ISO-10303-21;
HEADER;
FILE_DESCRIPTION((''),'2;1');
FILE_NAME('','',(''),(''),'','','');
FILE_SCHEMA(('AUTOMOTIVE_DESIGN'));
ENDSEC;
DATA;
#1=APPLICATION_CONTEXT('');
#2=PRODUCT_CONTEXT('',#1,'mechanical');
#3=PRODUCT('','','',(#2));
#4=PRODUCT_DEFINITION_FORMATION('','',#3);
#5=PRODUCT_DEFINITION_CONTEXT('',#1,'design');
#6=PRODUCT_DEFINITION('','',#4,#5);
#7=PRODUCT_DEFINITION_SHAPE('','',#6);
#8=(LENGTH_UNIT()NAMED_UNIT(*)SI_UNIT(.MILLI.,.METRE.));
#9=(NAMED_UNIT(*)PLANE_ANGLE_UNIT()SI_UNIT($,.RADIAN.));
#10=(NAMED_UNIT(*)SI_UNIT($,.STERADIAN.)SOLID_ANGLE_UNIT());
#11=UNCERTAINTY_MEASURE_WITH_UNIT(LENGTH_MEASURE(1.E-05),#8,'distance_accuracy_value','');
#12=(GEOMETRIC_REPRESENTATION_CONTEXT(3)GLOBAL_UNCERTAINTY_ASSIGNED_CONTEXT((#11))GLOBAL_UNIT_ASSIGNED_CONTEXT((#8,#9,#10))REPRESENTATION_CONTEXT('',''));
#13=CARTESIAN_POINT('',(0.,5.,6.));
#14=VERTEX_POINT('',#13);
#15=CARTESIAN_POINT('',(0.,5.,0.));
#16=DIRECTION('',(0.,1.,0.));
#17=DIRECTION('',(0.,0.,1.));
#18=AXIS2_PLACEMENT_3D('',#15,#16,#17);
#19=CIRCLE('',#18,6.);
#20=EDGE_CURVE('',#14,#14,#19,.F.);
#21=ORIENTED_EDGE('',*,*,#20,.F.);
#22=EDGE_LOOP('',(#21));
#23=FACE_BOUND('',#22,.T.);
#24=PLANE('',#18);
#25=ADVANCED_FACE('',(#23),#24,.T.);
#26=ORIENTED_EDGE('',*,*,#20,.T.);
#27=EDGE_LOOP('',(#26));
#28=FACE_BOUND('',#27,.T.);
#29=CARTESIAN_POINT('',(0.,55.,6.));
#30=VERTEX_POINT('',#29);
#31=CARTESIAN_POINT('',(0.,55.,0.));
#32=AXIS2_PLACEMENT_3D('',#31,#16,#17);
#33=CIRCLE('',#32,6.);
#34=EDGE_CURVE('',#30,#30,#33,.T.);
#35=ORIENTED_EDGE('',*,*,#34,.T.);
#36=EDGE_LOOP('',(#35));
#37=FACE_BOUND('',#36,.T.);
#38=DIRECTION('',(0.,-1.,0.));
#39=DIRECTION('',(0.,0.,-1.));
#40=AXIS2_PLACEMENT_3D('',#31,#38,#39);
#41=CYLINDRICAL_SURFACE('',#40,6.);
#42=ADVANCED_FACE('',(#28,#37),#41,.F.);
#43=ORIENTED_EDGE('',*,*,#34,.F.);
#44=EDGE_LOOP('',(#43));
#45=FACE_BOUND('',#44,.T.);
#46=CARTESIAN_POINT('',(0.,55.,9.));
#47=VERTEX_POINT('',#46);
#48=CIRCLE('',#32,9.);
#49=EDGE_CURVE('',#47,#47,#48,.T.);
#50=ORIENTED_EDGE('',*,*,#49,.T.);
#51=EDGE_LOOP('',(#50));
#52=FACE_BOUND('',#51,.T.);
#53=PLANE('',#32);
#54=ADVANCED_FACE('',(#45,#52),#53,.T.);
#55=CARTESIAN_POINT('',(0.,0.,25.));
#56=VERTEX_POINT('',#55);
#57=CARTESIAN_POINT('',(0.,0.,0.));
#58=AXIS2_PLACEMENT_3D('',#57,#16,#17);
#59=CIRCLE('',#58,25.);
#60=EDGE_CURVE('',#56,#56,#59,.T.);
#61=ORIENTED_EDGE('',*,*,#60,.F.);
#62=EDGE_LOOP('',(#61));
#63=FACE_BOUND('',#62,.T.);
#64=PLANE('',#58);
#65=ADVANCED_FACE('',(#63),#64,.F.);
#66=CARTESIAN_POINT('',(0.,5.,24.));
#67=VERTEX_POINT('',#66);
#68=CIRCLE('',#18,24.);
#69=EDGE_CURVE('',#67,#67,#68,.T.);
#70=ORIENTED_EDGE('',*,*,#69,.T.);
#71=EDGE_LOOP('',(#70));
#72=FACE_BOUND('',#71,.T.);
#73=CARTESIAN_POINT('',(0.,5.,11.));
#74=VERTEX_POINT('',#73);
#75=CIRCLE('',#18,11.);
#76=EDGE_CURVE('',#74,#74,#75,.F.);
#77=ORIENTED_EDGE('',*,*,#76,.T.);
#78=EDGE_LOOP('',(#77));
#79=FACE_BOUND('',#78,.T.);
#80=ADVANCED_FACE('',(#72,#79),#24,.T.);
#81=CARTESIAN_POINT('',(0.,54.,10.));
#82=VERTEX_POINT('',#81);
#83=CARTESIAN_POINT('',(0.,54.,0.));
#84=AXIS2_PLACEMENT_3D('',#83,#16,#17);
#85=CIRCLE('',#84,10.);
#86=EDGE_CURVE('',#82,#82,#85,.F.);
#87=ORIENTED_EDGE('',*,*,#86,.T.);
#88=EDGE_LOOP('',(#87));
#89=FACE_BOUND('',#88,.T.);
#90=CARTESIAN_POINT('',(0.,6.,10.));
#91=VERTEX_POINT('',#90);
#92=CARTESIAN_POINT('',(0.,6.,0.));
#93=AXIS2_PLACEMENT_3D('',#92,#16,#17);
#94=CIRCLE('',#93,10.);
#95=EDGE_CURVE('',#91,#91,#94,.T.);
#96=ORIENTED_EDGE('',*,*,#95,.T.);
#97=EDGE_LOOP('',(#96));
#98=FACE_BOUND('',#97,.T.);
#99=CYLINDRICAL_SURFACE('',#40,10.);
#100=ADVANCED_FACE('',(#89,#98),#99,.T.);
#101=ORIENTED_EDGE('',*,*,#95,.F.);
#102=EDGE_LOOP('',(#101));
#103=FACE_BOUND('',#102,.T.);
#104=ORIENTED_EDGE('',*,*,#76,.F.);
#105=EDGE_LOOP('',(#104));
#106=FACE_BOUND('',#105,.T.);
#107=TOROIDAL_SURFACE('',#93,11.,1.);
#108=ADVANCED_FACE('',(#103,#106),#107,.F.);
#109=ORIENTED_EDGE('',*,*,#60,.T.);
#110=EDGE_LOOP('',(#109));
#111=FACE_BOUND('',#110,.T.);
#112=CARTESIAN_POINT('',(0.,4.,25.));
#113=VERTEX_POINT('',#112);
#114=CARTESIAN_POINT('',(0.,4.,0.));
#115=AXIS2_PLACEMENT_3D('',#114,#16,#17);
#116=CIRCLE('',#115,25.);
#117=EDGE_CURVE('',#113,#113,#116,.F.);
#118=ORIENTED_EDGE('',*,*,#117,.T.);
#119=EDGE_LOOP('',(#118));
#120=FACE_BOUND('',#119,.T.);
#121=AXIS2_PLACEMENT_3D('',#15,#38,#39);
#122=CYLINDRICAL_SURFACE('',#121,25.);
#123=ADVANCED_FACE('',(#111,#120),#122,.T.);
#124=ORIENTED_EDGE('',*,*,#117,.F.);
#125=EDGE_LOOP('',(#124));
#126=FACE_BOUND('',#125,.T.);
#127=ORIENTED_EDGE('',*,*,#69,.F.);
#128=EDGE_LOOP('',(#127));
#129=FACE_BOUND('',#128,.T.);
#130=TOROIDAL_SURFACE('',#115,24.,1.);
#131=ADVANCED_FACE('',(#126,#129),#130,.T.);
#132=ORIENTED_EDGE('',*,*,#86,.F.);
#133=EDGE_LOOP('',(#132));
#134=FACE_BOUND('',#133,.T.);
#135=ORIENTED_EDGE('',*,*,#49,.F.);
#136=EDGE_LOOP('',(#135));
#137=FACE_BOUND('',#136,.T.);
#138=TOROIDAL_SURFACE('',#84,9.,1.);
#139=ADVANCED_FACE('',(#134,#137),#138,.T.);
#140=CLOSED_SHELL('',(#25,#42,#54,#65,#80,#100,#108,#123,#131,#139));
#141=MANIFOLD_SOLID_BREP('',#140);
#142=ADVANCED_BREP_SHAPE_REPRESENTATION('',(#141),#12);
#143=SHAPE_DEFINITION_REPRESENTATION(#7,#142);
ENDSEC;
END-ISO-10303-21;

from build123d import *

# Parameters (mm, degrees)
SKETCH1_R           = 25
BOSS_EXTRUDE1_DEPTH = 5
SKETCH2_R           = 10
SKETCH2_R_2         = 6
BOSS_EXTRUDE2_DEPTH = 50
FILLET1_R           = 1


with BuildPart() as part:
    # Sketch1 → Boss-Extrude1 (new body)
    with BuildSketch(Plane(origin=(0, 0, 0), x_dir=(1, 0, 0), z_dir=(0, 1, 0))):
        with Locations(Location((0, 0, 0), (0, 0, 270))):
            Circle(SKETCH1_R)
    extrude(amount=BOSS_EXTRUDE1_DEPTH)

    # Sketch2 → Boss-Extrude2 (add)
    with BuildSketch(Plane(origin=(0, 5, 0), x_dir=(1, 0, 0), z_dir=(0, 1, 0))):
        with Locations(Location((0, 0, 0), (0, 0, 270))):
            Circle(SKETCH2_R)
        with Locations(Location((0, 0, 0), (0, 0, 270))):
            Circle(SKETCH2_R_2, mode=Mode.SUBTRACT)
    extrude(amount=BOSS_EXTRUDE2_DEPTH)

    # Fillet1
    fillet1_edges = [part.edges().sort_by_distance(p)[0] for p in [
        (0, 5, -25),
        (0, 55, -10),
        (0, 5, -10),
    ]]
    fillet(fillet1_edges, radius=FILLET1_R)


solid = part.part
